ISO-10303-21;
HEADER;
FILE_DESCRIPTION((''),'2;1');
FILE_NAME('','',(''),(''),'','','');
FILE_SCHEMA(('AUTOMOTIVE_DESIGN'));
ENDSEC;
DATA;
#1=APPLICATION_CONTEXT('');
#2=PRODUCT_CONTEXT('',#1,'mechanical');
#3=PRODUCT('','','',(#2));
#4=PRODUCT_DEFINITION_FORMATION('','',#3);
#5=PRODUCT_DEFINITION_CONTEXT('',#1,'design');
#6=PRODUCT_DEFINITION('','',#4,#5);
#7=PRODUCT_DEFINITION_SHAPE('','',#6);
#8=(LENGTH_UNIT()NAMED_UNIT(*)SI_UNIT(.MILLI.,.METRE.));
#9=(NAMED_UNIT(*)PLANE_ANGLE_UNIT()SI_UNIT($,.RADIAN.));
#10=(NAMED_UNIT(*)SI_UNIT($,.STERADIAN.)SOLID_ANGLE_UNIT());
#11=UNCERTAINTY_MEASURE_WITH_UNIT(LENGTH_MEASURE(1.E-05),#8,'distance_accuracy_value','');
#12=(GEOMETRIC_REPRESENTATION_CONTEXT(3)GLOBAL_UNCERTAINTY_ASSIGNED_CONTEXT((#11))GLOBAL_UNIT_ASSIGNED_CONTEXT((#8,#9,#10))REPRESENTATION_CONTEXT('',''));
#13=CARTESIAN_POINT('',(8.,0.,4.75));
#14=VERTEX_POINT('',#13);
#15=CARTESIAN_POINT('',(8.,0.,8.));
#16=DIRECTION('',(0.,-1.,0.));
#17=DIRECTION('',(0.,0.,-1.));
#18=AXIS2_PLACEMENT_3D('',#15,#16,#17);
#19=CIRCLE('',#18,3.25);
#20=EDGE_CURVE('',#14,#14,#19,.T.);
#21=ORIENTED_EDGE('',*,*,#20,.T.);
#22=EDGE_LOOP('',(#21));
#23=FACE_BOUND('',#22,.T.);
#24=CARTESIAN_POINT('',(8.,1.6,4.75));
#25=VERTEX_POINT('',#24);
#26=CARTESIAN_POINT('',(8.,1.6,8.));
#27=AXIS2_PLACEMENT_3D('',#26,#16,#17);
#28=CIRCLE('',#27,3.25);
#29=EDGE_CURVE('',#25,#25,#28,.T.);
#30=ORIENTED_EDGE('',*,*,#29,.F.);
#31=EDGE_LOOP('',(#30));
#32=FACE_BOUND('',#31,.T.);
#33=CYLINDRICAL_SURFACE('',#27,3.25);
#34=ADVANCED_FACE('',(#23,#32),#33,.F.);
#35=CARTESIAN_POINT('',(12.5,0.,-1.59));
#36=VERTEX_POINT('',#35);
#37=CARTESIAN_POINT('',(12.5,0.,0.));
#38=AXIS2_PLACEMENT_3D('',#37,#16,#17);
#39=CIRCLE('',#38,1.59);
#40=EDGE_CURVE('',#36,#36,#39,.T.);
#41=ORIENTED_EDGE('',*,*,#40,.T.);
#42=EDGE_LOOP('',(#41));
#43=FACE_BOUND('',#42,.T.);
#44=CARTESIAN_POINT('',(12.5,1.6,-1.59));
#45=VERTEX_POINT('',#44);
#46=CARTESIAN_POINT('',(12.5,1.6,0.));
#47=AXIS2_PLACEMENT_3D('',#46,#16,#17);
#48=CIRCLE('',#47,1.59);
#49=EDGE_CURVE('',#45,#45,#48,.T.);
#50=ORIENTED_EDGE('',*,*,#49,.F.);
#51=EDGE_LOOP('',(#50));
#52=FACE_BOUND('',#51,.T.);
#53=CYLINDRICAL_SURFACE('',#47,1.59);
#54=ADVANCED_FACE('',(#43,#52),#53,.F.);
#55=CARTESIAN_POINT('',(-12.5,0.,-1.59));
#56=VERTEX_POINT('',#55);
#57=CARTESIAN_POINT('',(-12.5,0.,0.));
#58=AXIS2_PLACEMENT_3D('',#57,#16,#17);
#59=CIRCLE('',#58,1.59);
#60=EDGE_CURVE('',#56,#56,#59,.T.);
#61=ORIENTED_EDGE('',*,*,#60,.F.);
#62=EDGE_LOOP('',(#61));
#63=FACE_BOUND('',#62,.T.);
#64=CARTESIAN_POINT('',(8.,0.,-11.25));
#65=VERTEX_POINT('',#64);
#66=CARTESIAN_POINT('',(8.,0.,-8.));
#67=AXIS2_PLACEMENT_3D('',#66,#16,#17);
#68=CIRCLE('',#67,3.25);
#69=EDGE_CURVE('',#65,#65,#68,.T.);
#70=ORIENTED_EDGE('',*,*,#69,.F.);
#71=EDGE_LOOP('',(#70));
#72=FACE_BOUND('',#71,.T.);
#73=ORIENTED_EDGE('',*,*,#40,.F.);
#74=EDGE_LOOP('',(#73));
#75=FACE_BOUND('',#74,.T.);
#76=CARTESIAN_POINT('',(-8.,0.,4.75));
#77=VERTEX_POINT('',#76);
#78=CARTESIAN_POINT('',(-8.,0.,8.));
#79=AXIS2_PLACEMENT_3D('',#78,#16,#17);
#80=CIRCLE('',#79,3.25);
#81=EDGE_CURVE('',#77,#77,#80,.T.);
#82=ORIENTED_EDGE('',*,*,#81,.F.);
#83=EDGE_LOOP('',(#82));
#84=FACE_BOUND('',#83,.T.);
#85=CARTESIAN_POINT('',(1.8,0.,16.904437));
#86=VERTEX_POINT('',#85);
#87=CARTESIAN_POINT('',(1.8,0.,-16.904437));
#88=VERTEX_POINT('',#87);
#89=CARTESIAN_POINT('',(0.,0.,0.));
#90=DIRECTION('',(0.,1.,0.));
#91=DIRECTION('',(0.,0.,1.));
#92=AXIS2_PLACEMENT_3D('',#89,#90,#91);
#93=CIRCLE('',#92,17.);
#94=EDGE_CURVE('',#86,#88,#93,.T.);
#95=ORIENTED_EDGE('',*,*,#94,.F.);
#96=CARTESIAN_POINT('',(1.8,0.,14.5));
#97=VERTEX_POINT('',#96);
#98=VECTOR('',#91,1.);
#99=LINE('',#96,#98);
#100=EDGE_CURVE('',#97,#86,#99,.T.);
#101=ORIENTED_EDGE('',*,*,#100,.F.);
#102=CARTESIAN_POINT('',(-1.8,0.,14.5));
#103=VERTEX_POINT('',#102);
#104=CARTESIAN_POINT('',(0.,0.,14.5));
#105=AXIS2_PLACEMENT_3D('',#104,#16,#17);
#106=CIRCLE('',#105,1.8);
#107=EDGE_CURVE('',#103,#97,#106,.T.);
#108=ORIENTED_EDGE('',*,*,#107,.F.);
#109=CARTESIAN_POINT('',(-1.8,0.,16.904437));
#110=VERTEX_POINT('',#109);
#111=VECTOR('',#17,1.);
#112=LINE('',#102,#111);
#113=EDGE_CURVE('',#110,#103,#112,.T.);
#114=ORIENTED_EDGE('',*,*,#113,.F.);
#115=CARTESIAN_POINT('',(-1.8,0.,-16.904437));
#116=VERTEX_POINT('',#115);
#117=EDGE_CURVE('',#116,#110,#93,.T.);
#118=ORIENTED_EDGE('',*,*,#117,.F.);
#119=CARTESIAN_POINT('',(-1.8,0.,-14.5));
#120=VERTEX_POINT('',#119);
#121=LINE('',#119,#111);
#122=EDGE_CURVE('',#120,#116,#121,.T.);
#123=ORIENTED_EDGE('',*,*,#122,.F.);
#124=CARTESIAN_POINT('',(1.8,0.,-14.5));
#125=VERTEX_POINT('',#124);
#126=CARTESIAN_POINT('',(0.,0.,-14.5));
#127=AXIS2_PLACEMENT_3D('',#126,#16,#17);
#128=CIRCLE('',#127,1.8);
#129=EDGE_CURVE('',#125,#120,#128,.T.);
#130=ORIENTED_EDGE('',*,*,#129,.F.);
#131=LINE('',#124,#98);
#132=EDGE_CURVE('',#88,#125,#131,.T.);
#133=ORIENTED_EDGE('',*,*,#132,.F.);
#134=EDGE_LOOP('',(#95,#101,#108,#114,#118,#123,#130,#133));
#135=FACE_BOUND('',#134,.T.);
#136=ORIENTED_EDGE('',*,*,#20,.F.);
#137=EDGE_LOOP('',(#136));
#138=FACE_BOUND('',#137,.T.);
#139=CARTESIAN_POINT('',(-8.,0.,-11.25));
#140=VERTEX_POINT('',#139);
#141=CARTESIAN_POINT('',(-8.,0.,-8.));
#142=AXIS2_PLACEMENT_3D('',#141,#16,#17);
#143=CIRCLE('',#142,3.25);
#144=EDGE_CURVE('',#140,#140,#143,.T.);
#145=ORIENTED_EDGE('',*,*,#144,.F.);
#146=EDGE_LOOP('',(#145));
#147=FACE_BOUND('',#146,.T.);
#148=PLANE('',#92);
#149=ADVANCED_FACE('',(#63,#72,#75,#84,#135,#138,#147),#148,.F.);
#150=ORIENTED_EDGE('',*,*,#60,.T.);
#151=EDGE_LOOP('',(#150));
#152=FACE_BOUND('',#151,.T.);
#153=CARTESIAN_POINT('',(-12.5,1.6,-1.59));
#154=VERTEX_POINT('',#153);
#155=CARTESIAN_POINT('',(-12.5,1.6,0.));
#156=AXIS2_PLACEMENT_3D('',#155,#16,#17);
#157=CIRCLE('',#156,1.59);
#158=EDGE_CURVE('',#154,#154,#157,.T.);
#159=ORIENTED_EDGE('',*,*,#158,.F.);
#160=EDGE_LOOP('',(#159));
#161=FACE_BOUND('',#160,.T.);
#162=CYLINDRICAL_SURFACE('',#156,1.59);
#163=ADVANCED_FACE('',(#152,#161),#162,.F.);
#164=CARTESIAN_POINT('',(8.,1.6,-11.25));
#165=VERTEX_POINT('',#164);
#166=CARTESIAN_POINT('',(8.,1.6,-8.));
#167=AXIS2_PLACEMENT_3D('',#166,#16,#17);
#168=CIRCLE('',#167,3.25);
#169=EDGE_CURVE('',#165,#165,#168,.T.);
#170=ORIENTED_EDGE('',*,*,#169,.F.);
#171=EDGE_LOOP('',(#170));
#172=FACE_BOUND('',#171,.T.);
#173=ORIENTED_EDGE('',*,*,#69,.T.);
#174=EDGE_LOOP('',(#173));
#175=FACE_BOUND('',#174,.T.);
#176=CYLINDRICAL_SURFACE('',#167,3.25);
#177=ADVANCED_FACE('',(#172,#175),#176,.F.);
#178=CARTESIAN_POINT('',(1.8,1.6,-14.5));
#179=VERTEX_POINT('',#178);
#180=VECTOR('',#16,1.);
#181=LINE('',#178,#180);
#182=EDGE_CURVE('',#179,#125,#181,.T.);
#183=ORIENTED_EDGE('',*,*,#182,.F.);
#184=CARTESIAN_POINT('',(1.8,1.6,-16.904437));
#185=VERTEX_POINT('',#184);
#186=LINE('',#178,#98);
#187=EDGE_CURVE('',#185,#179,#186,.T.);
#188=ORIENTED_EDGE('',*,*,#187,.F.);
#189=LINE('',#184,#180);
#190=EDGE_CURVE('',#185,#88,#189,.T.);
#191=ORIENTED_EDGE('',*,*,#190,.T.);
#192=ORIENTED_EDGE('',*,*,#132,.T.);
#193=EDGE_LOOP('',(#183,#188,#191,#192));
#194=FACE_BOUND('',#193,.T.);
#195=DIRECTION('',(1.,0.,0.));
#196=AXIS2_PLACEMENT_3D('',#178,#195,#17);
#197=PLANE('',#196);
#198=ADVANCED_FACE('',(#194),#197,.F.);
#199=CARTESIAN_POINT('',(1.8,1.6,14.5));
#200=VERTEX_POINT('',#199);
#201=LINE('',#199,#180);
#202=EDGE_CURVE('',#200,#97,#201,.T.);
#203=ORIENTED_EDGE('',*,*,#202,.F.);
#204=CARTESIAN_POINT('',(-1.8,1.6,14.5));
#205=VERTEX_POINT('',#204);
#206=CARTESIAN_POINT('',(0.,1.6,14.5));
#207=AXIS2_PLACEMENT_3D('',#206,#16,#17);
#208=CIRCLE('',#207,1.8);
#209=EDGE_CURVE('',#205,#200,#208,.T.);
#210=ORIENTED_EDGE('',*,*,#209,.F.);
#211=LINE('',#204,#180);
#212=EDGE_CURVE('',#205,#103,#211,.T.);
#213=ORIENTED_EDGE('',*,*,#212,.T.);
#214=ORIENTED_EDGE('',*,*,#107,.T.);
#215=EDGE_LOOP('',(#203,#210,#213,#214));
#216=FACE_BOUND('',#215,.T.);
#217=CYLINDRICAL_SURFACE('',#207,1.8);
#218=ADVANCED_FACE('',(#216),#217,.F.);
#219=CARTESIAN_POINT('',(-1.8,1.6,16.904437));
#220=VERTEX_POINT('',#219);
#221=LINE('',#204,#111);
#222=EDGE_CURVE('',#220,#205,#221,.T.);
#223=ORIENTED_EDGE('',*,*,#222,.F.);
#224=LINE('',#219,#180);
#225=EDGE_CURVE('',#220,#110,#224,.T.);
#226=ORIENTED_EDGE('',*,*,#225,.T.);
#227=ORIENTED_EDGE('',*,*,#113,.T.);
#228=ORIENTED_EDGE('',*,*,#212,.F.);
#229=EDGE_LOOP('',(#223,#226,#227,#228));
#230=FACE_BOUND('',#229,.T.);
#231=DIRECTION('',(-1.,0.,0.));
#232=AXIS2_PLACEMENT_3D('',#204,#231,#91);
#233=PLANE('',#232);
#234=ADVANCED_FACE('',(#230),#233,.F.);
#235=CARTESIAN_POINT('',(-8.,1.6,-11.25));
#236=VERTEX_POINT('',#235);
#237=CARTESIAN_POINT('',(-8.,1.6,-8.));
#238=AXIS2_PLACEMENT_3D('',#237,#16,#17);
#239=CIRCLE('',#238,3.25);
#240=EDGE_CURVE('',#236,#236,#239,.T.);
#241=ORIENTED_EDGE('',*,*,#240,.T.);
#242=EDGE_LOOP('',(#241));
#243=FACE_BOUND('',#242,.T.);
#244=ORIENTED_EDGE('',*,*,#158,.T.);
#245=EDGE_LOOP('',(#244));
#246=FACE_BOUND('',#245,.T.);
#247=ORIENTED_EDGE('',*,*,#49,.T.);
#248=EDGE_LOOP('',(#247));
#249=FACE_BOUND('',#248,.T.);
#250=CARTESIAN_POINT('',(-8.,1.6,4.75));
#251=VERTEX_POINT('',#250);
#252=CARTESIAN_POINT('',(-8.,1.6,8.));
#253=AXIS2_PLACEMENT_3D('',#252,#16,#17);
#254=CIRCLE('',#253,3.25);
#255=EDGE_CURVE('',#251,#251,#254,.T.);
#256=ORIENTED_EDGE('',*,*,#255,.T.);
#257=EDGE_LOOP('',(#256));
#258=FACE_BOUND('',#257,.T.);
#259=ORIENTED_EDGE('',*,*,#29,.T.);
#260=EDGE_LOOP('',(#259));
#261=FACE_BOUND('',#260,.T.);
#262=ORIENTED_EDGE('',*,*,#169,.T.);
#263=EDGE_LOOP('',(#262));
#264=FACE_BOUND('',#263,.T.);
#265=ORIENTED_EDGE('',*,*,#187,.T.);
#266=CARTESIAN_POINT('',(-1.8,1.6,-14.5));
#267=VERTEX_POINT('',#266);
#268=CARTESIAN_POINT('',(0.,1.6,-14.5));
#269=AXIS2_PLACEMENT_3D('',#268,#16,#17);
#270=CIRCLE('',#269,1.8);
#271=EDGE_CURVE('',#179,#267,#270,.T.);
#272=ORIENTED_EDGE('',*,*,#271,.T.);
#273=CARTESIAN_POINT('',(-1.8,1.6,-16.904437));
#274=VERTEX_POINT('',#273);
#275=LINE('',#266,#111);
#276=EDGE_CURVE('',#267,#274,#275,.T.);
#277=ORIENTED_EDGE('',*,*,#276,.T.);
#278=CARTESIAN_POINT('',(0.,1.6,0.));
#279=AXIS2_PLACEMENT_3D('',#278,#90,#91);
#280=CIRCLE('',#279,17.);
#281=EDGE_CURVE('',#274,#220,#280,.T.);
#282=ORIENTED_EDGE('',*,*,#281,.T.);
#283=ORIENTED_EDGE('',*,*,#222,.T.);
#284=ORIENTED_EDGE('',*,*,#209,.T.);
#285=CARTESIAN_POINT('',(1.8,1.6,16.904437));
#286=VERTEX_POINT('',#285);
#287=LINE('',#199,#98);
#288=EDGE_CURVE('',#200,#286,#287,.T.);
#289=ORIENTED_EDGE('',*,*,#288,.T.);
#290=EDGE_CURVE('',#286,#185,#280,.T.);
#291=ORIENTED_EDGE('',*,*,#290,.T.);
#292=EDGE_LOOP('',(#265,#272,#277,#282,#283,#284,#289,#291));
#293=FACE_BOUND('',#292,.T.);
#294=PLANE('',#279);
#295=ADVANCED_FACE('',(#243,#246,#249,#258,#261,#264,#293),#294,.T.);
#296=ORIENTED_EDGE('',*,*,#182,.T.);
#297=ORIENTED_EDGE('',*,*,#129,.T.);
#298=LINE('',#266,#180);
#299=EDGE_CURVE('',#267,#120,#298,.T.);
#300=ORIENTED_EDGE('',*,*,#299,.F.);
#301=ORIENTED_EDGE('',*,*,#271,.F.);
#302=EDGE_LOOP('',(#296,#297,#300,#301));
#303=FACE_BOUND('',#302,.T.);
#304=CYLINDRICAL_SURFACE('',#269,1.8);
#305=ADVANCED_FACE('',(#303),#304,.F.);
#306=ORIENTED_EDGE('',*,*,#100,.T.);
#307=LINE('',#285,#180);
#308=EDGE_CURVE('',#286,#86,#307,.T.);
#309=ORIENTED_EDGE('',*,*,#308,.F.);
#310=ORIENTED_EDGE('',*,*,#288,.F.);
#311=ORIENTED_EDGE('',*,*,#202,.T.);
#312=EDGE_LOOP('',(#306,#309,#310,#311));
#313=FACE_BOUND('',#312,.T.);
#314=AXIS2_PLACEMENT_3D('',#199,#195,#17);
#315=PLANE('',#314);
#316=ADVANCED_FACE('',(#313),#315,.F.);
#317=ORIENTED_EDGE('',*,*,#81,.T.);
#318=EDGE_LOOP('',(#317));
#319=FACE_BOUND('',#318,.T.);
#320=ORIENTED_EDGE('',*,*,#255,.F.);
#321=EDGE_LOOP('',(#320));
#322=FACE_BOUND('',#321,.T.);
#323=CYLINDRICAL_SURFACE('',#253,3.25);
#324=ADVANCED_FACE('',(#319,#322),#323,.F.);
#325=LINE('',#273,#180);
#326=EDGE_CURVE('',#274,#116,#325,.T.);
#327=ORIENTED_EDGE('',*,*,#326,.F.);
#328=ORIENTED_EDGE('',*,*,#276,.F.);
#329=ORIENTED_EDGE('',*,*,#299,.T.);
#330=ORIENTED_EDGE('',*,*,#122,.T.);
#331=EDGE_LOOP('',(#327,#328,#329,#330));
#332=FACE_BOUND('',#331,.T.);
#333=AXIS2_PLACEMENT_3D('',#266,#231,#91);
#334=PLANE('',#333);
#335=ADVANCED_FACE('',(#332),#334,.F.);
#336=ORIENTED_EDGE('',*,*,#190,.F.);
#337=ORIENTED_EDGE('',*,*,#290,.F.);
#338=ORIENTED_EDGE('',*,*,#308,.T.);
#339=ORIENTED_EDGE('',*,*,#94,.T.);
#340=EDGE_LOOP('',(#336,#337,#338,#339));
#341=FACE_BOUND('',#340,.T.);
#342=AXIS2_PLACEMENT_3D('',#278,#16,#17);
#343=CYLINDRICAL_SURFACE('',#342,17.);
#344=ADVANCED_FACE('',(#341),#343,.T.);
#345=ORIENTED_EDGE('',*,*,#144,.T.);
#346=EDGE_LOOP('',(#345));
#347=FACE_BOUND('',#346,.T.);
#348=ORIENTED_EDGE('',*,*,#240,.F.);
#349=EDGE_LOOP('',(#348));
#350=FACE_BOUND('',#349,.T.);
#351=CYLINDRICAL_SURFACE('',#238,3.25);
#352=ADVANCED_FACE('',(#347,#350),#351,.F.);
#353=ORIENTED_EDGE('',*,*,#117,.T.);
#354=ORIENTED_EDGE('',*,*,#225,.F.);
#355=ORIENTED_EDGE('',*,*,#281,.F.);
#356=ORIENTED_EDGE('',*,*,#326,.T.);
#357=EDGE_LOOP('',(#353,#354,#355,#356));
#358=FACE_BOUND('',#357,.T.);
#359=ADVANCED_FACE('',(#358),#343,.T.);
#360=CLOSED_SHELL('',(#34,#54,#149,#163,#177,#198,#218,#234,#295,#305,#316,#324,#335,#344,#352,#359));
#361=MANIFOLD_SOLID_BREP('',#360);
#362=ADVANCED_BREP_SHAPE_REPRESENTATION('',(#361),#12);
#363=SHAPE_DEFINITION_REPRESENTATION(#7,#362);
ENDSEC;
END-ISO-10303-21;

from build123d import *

# Parameters (mm, degrees)
SKETCH1_R           = 17
BOSS_EXTRUDE1_DEPTH = 1.6
SKETCH2_R           = 1.59
SKETCH2_R_2         = 3.25
CUT_EXTRUDE1_DEPTH  = 25.09481272


with BuildPart() as part:
    # Sketch1 → Boss-Extrude1 (new body)
    with BuildSketch(Plane(origin=(0, 0, 0), x_dir=(1, 0, 0), z_dir=(0, 1, 0))):
        with Locations(Location((0, 0, 0), (0, 0, 270))):
            Circle(SKETCH1_R)
    extrude(amount=BOSS_EXTRUDE1_DEPTH)

    # Sketch2 → Cut-Extrude1 (cut, through all)
    with BuildSketch(Plane.XZ):
        with Locations(Location((12.5, 0, 0), (0, 0, 270))):
            Circle(SKETCH2_R)
        with Locations(Location((-12.5, 0, 0), (0, 0, 270))):
            Circle(SKETCH2_R)
        with Locations(Location((8, 8, 0), (0, 0, 270))):
            Circle(SKETCH2_R_2)
        with Locations(Location((8, -8, 0), (0, 0, 270))):
            Circle(SKETCH2_R_2)
        with Locations(Location((-8, -8, 0), (0, 0, 270))):
            Circle(SKETCH2_R_2)
        with Locations(Location((-8, 8, 0), (0, 0, 270))):
            Circle(SKETCH2_R_2)
        with BuildLine():
            Line((-1.8, 14.5), (-1.8, 16.904437287))
            ThreePointArc((-1.8, 16.904437287), (0, 17), (1.8, 16.904437287))
            Line((1.8, 16.904437287), (1.8, 14.5))
            ThreePointArc((1.8, 14.5), (0, 12.7), (-1.8, 14.5))
        make_face()
        with BuildLine():
            Line((1.8, -14.5), (1.8, -16.904437287))
            ThreePointArc((1.8, -16.904437287), (0, -17), (-1.8, -16.904437287))
            Line((-1.8, -16.904437287), (-1.8, -14.5))
            ThreePointArc((-1.8, -14.5), (0, -12.7), (1.8, -14.5))
        make_face()
    extrude(amount=-CUT_EXTRUDE1_DEPTH, mode=Mode.SUBTRACT)


solid = part.part
